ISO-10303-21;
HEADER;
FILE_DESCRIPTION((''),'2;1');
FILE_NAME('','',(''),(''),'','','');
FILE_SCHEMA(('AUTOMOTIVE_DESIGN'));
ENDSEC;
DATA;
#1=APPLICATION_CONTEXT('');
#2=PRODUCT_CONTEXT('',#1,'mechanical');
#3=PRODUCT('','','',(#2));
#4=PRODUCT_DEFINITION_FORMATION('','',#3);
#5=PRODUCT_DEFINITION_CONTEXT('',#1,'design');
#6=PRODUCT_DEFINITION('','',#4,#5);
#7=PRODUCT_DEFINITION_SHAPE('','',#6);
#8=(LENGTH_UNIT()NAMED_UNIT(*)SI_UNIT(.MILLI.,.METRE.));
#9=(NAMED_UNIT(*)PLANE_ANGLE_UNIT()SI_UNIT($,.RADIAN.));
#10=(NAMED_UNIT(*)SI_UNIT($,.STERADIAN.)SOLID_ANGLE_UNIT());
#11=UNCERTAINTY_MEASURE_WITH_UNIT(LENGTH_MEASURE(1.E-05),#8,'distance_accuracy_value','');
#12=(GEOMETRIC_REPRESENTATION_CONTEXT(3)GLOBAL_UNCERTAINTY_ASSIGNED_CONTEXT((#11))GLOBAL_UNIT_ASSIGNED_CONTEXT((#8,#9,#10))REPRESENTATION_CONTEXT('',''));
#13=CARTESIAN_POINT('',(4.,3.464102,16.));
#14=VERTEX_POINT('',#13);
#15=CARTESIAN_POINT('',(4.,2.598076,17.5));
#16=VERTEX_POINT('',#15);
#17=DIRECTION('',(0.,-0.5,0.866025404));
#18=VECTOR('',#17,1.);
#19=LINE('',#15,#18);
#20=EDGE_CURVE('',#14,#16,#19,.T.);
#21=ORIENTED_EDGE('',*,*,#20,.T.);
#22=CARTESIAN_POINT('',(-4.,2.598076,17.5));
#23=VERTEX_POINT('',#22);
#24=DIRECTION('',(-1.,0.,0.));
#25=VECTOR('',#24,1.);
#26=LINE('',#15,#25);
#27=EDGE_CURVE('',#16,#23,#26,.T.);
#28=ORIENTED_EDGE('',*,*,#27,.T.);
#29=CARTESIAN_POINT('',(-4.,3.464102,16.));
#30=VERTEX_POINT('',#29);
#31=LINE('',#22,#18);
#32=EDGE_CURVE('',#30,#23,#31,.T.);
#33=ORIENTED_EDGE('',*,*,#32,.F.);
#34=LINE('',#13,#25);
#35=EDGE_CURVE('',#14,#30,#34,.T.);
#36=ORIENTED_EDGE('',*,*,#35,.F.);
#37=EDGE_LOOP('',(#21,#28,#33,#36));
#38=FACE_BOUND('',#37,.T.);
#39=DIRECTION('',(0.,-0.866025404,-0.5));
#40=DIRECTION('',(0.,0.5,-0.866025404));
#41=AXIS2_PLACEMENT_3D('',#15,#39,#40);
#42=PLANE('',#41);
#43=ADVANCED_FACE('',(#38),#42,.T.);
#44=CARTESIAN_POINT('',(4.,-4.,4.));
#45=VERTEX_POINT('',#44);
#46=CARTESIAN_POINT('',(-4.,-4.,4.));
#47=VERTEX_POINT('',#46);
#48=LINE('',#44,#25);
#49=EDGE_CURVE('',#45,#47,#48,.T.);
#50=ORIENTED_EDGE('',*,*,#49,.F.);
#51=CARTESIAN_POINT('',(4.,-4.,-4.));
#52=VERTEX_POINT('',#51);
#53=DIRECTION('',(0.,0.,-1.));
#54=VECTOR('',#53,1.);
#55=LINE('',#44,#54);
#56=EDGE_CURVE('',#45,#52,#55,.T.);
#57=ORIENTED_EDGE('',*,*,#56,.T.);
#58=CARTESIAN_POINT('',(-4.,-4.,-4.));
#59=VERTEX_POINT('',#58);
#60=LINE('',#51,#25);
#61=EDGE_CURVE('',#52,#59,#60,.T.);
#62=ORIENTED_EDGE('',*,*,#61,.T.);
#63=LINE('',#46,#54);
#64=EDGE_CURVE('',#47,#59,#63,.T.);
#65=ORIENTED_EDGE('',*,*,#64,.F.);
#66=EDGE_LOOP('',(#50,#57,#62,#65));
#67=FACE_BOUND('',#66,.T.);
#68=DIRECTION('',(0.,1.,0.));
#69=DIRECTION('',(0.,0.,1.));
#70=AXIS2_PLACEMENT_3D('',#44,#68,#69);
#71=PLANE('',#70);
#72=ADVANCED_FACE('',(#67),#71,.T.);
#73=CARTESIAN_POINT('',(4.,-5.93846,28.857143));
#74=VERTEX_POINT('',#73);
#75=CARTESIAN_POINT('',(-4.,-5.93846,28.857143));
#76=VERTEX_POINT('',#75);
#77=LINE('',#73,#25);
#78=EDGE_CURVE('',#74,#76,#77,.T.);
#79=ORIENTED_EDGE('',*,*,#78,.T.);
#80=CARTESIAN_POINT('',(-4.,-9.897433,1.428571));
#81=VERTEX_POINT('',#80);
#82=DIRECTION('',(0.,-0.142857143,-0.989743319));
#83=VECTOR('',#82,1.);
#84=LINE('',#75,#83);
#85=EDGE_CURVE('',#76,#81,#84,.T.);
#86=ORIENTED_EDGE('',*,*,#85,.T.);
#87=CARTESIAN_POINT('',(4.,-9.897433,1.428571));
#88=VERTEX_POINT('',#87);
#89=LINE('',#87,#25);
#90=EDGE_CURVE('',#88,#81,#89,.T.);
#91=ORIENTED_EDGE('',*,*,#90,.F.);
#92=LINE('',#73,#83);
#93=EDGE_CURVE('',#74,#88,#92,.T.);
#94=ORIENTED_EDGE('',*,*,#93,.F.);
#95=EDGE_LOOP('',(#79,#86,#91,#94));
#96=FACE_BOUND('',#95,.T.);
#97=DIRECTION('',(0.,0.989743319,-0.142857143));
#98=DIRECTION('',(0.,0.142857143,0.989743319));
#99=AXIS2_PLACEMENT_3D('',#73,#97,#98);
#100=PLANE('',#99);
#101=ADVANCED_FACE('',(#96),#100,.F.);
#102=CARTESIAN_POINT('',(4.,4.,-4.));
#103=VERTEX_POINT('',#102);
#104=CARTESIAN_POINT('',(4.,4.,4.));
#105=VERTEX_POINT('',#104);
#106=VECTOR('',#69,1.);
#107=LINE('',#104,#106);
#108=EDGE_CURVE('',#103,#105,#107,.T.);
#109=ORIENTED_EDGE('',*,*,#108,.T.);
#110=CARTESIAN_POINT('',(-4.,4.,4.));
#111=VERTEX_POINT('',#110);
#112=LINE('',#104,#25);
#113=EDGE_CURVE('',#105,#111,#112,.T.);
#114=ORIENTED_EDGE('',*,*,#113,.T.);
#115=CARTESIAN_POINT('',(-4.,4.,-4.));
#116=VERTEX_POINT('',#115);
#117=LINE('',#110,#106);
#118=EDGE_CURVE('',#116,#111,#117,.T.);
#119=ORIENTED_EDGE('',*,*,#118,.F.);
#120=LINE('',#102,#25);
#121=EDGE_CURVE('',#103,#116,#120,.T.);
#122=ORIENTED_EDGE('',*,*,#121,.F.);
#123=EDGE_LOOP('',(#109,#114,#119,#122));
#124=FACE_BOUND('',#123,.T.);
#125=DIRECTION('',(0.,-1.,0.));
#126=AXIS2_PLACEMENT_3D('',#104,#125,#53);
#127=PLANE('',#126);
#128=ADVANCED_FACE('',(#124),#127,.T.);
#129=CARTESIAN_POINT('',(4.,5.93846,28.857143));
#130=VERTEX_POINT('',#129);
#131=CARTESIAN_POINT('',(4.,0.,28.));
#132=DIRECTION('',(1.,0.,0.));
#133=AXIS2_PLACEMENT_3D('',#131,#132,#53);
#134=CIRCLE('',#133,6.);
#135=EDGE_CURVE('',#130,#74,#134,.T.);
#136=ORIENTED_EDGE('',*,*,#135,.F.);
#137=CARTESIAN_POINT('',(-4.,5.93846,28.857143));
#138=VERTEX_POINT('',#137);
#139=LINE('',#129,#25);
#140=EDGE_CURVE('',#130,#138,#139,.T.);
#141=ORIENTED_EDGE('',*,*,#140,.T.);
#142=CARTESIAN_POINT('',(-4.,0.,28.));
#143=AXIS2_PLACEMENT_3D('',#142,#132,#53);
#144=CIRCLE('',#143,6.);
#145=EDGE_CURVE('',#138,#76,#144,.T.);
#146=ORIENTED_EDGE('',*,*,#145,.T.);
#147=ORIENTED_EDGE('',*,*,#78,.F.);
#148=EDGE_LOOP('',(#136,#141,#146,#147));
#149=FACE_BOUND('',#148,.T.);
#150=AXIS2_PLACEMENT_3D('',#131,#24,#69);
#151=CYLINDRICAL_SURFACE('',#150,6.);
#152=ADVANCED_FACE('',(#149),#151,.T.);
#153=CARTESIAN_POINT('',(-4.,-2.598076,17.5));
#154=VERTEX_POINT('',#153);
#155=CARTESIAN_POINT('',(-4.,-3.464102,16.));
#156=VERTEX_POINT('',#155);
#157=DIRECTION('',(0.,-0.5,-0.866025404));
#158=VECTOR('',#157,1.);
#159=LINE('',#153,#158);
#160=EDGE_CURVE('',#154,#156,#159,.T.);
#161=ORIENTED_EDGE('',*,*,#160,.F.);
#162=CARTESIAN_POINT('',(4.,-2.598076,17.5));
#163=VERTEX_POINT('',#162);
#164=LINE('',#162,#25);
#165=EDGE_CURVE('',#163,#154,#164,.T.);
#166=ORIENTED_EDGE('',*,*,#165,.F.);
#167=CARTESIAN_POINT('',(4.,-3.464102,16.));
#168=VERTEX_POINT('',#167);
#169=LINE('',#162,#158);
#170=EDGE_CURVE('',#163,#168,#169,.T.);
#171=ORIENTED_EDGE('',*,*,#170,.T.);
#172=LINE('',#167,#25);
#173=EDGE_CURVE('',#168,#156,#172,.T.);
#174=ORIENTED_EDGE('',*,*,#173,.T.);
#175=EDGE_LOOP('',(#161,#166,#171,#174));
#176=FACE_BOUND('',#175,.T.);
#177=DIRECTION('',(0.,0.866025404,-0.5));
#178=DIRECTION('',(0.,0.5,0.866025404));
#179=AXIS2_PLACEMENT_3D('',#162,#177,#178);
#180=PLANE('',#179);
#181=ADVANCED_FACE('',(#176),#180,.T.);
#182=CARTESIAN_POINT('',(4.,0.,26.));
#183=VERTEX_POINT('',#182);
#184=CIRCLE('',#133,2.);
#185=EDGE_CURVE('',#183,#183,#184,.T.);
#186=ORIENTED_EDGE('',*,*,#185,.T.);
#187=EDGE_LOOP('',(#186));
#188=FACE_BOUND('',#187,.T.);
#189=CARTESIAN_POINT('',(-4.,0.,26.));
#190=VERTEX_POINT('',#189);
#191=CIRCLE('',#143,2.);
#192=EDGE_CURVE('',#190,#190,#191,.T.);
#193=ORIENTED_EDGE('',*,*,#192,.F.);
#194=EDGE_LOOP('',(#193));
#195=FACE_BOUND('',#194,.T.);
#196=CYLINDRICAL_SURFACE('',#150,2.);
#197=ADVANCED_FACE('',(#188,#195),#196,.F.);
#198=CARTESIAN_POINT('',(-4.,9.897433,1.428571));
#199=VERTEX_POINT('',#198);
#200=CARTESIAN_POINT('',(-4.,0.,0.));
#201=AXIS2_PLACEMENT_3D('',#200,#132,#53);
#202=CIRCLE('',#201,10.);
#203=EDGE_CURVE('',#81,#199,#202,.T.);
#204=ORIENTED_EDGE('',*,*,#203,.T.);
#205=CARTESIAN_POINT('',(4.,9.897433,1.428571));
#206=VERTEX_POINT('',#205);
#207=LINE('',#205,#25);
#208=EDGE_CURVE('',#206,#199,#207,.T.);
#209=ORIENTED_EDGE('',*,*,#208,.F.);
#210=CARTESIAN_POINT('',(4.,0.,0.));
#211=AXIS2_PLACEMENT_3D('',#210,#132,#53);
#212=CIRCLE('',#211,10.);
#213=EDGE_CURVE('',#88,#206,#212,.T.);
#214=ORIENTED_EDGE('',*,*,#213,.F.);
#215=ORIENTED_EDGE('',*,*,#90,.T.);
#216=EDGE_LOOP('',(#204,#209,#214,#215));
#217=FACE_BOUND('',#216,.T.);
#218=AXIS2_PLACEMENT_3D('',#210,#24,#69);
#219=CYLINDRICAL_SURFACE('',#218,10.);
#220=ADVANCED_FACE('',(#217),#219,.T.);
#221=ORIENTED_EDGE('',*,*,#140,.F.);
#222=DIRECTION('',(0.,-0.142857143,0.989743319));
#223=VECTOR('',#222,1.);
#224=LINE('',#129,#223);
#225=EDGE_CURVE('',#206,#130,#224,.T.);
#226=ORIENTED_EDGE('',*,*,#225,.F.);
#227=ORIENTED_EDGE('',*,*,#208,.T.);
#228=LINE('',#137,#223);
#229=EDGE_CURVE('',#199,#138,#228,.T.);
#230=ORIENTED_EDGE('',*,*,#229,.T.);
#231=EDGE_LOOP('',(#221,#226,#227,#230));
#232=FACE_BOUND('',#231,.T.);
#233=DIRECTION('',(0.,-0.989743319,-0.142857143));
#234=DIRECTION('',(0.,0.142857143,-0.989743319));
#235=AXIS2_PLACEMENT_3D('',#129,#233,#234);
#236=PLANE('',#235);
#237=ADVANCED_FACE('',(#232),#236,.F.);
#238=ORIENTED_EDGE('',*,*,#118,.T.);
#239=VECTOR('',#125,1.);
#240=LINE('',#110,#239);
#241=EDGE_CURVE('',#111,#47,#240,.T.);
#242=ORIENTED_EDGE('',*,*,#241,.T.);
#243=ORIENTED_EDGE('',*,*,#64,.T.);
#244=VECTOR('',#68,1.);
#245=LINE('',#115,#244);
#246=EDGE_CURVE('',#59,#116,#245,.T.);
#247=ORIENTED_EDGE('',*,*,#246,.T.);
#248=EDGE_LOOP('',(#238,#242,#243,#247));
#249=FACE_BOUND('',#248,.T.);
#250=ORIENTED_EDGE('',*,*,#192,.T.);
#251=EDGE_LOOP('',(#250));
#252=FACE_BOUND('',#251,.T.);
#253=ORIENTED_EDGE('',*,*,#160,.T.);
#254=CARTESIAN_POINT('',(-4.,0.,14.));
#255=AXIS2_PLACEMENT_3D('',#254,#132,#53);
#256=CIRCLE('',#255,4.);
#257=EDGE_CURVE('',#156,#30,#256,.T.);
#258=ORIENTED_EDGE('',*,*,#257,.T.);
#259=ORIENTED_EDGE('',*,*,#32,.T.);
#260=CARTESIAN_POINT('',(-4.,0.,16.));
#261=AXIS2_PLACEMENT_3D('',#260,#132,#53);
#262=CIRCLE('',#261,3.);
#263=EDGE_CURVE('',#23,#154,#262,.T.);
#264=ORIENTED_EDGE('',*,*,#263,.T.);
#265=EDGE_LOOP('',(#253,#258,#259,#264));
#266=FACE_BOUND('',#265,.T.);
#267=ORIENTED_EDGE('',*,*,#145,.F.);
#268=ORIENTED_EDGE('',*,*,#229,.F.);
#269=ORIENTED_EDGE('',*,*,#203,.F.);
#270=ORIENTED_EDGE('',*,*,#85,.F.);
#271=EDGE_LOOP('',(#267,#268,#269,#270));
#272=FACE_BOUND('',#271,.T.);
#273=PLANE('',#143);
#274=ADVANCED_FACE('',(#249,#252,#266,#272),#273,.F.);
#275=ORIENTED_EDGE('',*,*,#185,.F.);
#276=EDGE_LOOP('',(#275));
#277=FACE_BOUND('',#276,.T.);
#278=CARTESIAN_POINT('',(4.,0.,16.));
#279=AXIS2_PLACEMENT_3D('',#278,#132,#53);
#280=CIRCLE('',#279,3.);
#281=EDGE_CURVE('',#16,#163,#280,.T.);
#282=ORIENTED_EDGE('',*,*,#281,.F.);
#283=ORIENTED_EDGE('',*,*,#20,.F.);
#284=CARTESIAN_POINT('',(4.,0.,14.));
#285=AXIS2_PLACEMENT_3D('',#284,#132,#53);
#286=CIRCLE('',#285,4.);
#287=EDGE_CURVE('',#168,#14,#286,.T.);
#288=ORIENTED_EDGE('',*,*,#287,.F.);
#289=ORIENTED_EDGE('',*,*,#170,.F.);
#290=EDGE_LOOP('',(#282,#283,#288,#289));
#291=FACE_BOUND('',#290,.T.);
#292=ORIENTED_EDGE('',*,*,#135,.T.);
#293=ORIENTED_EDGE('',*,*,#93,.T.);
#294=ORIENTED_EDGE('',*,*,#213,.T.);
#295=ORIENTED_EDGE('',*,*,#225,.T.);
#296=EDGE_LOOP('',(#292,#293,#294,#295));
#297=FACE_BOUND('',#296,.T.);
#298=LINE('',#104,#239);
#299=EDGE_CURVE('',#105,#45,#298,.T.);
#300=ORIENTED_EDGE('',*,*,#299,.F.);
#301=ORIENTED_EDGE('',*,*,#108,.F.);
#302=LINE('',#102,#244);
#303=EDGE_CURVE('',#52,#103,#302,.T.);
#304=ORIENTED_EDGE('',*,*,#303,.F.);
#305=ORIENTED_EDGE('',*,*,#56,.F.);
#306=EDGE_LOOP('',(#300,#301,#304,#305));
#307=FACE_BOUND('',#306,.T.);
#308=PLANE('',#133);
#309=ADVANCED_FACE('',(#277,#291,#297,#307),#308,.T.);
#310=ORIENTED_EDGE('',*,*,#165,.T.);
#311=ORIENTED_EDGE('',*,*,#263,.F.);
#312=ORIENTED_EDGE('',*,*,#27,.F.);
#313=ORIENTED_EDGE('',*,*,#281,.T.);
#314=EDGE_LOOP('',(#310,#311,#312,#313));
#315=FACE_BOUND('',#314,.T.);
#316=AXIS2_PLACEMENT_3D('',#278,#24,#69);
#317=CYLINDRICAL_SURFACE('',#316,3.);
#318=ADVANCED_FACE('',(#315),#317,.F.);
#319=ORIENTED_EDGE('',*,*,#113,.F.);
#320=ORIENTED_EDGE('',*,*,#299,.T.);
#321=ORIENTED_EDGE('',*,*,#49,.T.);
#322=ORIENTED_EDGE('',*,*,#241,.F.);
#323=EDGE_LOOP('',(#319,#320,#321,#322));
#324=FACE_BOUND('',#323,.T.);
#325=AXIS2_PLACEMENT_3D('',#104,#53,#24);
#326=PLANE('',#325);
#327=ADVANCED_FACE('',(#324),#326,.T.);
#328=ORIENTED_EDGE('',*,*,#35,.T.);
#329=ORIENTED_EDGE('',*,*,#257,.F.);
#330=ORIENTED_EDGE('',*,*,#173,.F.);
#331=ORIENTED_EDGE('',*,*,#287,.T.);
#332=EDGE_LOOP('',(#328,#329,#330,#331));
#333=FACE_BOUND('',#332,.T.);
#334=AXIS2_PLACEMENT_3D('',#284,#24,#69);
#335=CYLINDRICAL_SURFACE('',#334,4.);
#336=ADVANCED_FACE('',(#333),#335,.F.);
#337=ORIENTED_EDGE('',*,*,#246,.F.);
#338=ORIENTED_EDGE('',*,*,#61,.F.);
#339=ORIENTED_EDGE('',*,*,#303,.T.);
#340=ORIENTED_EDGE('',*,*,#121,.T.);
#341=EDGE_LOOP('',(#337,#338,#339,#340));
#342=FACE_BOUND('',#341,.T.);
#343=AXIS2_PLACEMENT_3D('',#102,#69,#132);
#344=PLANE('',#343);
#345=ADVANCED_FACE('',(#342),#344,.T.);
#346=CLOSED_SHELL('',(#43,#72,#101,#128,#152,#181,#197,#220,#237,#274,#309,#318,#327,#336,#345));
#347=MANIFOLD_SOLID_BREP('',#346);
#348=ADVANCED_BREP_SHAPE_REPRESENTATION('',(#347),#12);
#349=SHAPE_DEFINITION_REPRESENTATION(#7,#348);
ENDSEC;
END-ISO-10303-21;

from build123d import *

# Parameters (mm, degrees)
SKETCH_1_R      = 2
SKETCH_1_W      = 8
SKETCH_1_H      = 8
EXTRUDE_1_DEPTH = 4


with BuildPart() as part:
    # 草图1 → 凸台-拉伸1 (new, symmetric)
    with BuildSketch(Plane(origin=(0, 0, 0), x_dir=(0, 0, -1), z_dir=(1, 0, 0))):
        with BuildLine():
            Line((-28.857142857, 5.938459912), (-1.428571429, 9.897433186))
            ThreePointArc((-1.428571429, 9.897433186), (10, 0), (-1.428571429, -9.897433186))
            Line((-1.428571429, -9.897433186), (-28.857142857, -5.938459912))
            ThreePointArc((-28.857142857, -5.938459912), (-34, 0), (-28.857142857, 5.938459912))
        make_face()
        with Locations((-28, 0)):
            Circle(SKETCH_1_R, mode=Mode.SUBTRACT)
        Rectangle(SKETCH_1_W, SKETCH_1_H, mode=Mode.SUBTRACT)
        with BuildLine():
            Line((-17.5, 2.598076211), (-16, 3.464101615))
            ThreePointArc((-16, 3.464101615), (-10, 0), (-16, -3.464101615))
            Line((-16, -3.464101615), (-17.5, -2.598076211))
            ThreePointArc((-17.5, -2.598076211), (-19, 0), (-17.5, 2.598076211))
        make_face(mode=Mode.SUBTRACT)
    extrude(amount=EXTRUDE_1_DEPTH, both=True)


solid = part.part
